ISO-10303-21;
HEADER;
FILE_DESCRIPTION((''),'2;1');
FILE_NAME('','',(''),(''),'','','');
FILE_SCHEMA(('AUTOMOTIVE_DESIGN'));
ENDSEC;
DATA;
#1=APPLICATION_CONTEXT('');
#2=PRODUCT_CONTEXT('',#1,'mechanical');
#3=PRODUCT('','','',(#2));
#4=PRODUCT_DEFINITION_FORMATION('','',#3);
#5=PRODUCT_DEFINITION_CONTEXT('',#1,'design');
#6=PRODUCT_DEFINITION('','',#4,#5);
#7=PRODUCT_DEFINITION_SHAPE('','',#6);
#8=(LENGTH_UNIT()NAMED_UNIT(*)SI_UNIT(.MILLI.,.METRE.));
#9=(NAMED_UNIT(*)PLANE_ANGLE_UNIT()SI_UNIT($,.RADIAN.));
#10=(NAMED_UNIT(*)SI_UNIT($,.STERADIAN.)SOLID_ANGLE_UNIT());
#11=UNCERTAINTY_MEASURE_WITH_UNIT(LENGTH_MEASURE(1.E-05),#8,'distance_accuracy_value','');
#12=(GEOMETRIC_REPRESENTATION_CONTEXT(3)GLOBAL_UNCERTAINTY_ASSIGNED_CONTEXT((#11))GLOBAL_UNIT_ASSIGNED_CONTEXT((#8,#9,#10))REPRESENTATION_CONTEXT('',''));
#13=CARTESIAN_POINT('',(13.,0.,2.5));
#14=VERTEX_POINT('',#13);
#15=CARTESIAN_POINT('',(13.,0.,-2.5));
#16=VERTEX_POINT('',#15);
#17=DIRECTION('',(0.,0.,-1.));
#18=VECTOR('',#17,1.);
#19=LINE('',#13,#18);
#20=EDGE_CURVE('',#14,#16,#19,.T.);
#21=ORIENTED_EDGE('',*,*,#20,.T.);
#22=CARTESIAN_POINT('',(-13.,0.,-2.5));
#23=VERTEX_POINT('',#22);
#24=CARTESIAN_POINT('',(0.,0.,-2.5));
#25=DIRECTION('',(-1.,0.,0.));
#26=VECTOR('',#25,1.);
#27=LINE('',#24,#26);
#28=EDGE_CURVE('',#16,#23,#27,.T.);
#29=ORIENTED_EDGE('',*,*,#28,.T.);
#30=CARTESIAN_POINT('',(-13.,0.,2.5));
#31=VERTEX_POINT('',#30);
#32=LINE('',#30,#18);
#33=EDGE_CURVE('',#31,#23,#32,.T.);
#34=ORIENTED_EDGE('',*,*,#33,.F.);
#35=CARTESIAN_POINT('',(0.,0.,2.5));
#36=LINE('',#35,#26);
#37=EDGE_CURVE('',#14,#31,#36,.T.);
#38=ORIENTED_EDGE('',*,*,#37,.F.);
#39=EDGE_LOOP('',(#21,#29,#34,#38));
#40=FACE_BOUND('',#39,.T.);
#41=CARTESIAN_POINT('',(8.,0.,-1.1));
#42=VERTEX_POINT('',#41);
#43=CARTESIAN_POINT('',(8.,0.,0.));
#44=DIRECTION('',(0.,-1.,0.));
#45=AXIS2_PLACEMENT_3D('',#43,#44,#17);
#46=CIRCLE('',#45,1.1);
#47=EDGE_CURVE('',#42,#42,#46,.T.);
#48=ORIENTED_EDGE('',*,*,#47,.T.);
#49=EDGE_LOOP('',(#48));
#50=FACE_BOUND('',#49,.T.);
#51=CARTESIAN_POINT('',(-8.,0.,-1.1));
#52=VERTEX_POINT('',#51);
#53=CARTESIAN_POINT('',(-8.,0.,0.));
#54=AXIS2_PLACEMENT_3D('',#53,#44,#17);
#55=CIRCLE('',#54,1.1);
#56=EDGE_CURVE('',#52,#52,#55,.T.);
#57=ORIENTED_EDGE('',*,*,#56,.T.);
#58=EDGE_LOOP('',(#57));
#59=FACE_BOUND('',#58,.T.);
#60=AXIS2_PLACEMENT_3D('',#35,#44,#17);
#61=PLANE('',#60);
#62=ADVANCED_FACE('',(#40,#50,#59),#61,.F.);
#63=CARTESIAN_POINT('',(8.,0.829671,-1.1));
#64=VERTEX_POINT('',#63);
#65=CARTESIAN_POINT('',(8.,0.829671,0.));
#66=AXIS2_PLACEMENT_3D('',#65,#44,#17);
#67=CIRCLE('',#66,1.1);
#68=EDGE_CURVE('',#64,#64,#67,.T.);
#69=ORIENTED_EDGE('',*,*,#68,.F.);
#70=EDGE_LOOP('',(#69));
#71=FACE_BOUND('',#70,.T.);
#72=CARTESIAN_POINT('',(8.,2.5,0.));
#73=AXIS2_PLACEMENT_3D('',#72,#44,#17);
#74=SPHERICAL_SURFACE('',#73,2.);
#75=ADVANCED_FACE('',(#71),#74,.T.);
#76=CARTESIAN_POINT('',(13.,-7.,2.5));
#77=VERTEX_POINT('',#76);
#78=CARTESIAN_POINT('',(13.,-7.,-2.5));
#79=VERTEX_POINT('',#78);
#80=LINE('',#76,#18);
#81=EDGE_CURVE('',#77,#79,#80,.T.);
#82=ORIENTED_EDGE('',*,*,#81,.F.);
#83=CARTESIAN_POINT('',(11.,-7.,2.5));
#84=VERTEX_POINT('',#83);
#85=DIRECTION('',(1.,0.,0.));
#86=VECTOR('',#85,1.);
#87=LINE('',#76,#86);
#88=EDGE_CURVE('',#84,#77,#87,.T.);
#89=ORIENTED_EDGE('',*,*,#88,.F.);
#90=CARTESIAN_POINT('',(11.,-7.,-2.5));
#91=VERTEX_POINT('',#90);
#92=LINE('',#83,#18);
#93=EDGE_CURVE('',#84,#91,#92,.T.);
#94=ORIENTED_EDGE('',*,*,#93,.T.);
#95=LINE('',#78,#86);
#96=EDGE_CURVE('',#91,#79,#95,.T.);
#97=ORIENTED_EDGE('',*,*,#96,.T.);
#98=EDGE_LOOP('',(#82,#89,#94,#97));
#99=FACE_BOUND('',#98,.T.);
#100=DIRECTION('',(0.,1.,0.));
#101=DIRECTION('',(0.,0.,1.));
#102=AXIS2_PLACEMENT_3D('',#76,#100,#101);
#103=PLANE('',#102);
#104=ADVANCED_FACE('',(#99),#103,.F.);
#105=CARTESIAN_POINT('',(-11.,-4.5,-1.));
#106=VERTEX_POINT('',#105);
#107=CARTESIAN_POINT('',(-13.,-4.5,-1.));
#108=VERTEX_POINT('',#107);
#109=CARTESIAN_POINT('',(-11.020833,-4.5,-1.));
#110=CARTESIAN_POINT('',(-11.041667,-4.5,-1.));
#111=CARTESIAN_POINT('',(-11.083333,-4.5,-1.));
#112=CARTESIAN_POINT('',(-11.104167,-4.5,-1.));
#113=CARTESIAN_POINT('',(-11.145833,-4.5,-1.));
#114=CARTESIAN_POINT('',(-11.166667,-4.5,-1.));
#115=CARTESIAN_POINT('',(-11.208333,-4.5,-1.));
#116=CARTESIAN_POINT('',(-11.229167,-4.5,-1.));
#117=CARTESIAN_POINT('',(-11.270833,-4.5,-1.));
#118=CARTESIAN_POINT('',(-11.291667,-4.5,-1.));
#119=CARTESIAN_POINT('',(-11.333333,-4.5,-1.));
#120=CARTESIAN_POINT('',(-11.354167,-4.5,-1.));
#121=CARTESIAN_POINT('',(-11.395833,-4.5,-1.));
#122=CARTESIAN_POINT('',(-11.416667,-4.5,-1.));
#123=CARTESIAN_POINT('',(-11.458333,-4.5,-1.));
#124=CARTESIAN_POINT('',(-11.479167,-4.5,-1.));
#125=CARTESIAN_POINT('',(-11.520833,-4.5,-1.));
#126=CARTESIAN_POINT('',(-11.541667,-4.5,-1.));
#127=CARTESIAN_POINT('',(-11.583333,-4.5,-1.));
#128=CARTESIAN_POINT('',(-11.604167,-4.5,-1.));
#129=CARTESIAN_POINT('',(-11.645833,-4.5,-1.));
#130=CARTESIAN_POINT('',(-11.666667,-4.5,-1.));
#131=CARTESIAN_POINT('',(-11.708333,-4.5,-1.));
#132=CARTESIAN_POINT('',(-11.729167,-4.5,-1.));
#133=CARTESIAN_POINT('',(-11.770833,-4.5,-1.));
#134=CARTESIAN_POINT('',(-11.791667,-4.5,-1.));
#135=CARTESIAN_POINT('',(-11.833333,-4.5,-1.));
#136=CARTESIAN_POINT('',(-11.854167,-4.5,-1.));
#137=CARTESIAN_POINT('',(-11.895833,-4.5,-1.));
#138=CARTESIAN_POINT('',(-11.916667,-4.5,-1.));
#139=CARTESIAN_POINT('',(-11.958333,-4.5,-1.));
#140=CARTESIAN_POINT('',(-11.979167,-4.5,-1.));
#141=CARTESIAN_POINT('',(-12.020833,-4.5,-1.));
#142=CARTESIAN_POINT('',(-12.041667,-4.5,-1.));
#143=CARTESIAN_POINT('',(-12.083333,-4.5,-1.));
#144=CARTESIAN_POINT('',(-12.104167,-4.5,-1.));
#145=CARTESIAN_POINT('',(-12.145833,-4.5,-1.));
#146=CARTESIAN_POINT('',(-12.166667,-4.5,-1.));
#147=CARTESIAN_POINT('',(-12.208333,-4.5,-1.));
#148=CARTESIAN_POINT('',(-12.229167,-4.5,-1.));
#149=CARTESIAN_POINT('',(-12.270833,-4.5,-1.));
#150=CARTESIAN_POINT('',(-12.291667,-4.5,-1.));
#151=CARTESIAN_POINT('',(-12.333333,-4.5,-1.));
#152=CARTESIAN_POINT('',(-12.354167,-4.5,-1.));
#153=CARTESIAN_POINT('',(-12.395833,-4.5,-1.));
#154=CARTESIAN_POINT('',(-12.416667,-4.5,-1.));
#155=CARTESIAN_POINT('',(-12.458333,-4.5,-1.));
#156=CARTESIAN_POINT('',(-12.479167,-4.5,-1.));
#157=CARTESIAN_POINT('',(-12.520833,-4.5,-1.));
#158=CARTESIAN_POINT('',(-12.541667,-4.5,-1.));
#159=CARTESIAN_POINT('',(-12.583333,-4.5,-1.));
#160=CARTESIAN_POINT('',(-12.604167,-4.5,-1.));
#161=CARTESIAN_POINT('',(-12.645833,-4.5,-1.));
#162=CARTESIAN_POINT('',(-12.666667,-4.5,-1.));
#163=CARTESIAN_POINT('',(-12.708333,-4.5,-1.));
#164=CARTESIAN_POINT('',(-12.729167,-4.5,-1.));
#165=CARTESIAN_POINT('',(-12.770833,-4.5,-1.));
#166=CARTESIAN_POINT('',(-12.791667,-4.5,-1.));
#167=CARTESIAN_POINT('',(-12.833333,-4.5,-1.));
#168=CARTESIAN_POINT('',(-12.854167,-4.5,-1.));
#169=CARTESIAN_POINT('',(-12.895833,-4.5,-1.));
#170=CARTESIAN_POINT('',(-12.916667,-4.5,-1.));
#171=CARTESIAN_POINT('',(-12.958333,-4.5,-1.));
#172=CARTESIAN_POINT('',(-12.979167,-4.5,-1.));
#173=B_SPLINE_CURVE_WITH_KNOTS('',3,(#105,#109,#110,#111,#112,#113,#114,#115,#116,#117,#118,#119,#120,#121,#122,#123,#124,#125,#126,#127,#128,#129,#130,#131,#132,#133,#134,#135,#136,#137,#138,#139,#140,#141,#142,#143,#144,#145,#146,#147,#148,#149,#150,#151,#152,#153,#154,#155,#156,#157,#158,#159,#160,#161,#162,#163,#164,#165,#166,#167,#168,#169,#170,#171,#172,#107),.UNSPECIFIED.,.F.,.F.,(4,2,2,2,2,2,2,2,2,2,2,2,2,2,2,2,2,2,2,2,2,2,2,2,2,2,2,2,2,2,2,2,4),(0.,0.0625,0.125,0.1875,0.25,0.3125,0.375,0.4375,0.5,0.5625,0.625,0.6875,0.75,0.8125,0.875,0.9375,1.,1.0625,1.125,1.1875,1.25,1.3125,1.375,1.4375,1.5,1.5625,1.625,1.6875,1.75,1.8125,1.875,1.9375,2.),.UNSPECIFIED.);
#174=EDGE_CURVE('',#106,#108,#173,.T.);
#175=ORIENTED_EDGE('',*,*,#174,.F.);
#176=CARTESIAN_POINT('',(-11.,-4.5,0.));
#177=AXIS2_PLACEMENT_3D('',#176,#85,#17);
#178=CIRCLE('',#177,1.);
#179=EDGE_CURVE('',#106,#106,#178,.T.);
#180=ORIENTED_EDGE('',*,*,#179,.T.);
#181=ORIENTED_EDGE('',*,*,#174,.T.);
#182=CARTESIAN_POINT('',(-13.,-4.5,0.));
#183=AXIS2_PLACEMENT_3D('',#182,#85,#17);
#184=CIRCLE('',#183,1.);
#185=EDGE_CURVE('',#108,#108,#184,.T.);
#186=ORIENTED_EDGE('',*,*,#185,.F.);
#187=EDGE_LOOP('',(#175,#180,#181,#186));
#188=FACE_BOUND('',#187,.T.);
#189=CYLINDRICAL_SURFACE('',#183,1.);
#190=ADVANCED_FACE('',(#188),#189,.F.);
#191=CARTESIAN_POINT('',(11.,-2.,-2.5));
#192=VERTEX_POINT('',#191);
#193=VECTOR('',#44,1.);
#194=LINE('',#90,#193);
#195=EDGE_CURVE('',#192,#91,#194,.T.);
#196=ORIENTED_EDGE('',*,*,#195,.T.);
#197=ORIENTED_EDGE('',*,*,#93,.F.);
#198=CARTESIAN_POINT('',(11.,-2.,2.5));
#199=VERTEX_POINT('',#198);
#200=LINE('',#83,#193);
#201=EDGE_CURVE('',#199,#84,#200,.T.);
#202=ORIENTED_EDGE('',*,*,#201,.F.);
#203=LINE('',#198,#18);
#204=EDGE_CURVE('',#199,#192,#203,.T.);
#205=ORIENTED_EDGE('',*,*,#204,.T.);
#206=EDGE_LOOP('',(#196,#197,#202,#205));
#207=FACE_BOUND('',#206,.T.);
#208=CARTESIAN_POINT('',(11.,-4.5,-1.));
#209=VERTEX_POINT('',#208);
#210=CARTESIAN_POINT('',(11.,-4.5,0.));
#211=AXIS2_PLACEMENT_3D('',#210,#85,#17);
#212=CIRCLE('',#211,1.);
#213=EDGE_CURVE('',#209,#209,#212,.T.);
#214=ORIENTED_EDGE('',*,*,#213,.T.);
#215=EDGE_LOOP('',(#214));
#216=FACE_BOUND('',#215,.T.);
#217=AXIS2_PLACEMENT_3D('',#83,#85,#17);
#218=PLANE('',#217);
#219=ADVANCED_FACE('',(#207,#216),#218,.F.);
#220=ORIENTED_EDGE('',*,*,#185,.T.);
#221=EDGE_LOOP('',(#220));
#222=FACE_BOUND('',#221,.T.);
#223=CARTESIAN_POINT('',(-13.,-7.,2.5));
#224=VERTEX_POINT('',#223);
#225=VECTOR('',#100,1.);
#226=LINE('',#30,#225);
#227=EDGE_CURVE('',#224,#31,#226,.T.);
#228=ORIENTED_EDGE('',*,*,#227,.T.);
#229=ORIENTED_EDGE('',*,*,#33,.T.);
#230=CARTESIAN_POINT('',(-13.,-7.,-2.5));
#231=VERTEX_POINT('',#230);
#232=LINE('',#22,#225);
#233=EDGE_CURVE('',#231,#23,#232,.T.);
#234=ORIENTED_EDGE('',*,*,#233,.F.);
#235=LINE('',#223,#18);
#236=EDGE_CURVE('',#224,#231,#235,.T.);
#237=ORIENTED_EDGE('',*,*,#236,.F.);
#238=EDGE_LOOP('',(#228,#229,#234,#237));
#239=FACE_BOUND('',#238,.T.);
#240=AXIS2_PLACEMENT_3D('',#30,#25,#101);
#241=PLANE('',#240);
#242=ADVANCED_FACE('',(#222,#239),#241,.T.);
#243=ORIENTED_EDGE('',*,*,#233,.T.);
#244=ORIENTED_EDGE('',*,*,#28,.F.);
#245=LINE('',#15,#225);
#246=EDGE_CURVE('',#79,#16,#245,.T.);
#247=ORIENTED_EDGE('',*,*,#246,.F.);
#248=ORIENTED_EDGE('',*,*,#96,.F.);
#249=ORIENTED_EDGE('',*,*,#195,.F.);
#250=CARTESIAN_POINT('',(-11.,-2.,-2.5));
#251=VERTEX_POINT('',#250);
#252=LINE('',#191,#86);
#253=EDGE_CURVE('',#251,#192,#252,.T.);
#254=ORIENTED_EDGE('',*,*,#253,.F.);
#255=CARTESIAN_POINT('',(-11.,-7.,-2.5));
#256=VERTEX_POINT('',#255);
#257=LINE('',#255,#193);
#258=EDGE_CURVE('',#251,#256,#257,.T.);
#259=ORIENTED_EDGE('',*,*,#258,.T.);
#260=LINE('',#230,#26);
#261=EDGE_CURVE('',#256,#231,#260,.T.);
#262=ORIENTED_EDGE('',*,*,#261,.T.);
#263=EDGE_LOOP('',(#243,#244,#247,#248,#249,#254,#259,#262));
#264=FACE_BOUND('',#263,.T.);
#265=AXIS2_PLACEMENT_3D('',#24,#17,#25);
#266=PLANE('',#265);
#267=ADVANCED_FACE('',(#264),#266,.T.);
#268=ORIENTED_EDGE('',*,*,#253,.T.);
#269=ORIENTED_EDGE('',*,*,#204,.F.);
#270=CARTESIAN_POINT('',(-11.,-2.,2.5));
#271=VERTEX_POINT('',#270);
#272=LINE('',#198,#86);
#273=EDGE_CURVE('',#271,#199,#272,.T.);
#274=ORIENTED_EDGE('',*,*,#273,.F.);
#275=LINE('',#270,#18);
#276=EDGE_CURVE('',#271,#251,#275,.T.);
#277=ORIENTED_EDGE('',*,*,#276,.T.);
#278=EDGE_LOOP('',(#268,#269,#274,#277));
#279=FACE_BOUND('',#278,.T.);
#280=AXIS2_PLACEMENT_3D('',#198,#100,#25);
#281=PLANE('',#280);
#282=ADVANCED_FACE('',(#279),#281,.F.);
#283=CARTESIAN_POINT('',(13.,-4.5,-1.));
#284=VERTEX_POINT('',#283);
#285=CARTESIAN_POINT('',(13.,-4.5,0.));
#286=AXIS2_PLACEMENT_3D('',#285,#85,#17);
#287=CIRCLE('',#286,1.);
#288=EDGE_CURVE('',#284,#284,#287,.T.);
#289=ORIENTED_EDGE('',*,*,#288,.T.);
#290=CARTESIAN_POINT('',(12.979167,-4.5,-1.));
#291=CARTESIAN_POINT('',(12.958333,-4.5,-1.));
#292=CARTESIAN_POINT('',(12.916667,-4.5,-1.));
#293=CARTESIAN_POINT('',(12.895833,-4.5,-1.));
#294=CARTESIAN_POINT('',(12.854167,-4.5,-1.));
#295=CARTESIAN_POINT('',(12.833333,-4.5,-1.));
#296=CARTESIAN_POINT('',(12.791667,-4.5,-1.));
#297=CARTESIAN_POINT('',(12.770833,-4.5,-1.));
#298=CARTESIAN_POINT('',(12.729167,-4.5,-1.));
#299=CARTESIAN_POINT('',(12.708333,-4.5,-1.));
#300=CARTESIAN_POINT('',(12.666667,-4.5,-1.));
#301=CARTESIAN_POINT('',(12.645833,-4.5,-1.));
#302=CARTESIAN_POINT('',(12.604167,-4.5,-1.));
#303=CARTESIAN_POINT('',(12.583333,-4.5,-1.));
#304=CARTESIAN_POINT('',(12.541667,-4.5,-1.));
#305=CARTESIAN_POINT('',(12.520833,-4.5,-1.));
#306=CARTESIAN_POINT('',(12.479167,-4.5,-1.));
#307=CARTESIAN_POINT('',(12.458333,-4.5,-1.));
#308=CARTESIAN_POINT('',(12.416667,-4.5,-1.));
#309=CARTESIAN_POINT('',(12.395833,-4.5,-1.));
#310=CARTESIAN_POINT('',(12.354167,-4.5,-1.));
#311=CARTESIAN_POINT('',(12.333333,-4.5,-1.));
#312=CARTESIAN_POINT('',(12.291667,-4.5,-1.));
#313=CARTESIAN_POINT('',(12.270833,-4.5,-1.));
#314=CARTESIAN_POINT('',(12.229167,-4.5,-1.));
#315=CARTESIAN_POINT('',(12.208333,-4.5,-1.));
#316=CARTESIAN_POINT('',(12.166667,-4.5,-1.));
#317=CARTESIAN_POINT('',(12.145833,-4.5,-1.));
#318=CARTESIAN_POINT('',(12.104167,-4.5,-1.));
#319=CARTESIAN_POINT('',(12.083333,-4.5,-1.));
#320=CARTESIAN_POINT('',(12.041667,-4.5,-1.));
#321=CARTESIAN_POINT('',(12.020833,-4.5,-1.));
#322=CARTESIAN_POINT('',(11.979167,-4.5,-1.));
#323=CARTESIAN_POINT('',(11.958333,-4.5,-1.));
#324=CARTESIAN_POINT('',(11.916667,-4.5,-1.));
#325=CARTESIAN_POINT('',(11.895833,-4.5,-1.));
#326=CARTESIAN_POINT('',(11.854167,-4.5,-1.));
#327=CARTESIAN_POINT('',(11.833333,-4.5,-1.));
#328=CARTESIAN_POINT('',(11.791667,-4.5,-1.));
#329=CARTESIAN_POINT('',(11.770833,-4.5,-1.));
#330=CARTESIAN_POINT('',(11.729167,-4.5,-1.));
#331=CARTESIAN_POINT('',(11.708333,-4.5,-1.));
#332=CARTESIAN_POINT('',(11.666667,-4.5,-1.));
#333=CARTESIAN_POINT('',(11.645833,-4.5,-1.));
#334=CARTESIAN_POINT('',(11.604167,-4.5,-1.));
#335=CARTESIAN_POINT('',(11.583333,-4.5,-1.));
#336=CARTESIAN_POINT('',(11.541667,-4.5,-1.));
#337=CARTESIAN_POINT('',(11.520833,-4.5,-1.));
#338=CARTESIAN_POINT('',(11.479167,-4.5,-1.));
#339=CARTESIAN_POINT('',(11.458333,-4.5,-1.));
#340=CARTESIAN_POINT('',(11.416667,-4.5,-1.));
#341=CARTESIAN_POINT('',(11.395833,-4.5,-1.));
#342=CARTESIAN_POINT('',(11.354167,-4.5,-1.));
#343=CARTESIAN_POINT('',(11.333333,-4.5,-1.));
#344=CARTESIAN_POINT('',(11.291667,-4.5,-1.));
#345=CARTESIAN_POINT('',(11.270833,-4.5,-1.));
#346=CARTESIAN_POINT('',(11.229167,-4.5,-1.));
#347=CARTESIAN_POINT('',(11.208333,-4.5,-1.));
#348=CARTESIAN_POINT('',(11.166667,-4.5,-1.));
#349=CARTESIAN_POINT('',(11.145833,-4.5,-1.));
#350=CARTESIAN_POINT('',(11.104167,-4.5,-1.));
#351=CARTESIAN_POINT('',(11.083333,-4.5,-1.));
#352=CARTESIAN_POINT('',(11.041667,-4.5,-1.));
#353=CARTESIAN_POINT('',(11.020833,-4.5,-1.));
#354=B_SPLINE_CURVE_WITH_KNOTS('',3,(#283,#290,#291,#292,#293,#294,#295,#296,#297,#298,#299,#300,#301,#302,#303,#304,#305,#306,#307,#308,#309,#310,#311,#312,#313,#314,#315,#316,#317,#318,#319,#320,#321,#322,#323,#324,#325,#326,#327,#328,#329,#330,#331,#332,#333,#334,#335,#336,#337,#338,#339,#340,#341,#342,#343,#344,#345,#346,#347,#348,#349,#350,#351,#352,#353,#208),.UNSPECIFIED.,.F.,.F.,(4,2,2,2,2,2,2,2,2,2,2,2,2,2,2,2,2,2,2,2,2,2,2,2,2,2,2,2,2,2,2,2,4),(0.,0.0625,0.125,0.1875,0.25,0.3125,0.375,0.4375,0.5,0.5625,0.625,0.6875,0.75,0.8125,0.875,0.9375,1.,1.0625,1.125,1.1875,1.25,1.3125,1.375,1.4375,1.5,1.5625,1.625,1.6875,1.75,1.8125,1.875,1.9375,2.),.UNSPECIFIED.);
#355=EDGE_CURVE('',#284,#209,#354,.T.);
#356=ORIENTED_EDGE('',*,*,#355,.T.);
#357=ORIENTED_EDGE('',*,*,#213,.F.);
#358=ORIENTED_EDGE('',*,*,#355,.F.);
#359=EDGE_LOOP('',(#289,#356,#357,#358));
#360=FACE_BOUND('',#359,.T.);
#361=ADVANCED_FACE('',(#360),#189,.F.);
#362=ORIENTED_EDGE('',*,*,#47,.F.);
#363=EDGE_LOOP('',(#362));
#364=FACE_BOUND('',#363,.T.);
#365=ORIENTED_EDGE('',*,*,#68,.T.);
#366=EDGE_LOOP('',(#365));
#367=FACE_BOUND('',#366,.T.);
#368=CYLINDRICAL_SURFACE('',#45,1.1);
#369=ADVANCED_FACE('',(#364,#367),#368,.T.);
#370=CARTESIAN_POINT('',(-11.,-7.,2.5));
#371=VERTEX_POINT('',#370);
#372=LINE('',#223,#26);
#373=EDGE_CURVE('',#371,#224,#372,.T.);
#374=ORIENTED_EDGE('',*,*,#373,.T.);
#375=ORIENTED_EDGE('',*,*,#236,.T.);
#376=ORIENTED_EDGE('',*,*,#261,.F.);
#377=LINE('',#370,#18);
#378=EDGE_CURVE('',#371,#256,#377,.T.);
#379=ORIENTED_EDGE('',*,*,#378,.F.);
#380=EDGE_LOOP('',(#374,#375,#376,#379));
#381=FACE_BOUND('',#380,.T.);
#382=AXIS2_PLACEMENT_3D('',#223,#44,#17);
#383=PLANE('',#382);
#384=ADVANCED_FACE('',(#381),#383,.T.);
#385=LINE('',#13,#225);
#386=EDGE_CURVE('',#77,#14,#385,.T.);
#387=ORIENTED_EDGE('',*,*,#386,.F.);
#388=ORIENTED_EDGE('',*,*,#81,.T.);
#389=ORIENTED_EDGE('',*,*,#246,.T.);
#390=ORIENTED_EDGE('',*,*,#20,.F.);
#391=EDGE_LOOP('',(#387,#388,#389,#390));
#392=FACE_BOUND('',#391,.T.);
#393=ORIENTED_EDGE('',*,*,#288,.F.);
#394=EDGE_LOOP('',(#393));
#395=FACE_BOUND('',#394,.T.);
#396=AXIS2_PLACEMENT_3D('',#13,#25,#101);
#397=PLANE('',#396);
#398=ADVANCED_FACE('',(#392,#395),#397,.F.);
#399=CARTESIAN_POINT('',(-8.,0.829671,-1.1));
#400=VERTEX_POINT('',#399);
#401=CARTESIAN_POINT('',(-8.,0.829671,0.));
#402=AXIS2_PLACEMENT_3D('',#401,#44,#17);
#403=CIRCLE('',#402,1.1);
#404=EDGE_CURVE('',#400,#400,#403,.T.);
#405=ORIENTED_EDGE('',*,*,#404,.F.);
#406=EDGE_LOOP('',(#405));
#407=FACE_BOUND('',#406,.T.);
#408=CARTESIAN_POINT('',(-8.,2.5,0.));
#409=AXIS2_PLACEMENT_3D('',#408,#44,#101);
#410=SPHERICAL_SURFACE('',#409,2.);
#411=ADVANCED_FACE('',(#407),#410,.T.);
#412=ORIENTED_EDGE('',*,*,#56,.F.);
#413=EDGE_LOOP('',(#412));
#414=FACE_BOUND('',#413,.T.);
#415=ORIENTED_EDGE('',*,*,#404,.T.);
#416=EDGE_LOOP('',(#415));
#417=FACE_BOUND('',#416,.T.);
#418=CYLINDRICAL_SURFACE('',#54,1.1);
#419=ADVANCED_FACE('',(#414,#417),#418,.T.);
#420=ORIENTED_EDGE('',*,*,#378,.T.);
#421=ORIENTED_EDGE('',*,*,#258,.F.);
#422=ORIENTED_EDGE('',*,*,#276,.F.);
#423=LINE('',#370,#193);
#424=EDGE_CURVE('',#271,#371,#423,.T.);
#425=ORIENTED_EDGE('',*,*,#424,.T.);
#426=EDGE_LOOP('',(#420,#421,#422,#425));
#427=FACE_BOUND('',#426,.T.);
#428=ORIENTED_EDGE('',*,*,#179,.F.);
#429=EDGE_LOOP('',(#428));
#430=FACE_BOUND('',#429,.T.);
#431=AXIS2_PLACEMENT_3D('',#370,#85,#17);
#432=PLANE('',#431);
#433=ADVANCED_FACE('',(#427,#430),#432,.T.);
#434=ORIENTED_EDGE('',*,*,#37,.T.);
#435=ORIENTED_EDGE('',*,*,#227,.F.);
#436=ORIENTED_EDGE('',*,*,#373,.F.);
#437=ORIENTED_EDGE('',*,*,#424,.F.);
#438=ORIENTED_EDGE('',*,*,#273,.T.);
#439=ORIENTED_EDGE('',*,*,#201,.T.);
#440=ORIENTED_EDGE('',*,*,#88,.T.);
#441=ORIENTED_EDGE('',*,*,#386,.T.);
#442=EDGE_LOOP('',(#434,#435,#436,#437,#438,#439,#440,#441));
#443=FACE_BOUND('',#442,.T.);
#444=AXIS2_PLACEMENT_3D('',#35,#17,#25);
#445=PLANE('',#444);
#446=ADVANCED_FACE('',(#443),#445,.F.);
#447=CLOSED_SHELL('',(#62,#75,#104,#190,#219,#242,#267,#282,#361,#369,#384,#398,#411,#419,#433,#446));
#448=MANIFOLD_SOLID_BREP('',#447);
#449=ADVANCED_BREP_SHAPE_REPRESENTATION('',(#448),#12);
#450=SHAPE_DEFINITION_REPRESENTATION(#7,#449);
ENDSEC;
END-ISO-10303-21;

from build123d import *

# Parameters (mm, degrees)
EXTRUDE_1_DEPTH     = 2.5
SKETCH_2_R          = 1
CUT_EXTRUDE_1_DEPTH = 28.041634566


with BuildPart() as part:
    # 草图1 → 凸台-拉伸1 (new, symmetric)
    with BuildSketch(Plane.XY):
        Polygon((0, 0), (13, 0), (13, -7), (11, -7), (11, -2), (0, -2), align=None)
    extrude_1 = extrude(amount=EXTRUDE_1_DEPTH, both=True)

    # 镜向1: 凸台-拉伸1 across plane
    add(extrude_1.mirror(Plane(origin=(0, 0, 0), x_dir=(0, 0, 1), z_dir=(1, 0, 0))))

    # 草图2 → 切除-拉伸1 (cut, through all)
    with BuildSketch(Plane(origin=(13, 0, 0), x_dir=(0, 0, -1), z_dir=(1, 0, 0))):
        with Locations((0, -4.5)):
            Circle(SKETCH_2_R)
    extrude(amount=-CUT_EXTRUDE_1_DEPTH, mode=Mode.SUBTRACT)

    # 草图3 → 旋转1 (revolve)
    with BuildSketch(Plane(origin=(8, 0, 0), x_dir=(0, 0, -1), z_dir=(1, 0, 0))):
        with BuildLine():
            Line((0, 0), (0, 4.5))
            ThreePointArc((0, 4.5), (1.915810353, 3.074169567), (1.1, 0.829670691))
            Line((1.1, 0.829670691), (1.1, 0))
            Line((1.1, 0), (0, 0))
        make_face()
    revolve(axis=Axis((8, 0, 0), (0, 1, 0)))

    # 草图4 → 旋转2 (revolve)
    with BuildSketch(Plane.ZY.offset(8), mode=Mode.PRIVATE) as revolve_2_sk:
        with BuildLine():
            Line((0, 0), (0, 4.5))
            ThreePointArc((0, 4.5), (1.915810353, 3.074169567), (1.1, 0.829670691))
            Line((1.1, 0.829670691), (1.1, 0))
            Line((1.1, 0), (0, 0))
        make_face()
    revolve(revolve_2_sk.sketch.rotate(Axis((-8, 0, 0), (0, 1, 0)), 180), axis=Axis((-8, 0, 0), (0, 1, 0)))


solid = part.part
